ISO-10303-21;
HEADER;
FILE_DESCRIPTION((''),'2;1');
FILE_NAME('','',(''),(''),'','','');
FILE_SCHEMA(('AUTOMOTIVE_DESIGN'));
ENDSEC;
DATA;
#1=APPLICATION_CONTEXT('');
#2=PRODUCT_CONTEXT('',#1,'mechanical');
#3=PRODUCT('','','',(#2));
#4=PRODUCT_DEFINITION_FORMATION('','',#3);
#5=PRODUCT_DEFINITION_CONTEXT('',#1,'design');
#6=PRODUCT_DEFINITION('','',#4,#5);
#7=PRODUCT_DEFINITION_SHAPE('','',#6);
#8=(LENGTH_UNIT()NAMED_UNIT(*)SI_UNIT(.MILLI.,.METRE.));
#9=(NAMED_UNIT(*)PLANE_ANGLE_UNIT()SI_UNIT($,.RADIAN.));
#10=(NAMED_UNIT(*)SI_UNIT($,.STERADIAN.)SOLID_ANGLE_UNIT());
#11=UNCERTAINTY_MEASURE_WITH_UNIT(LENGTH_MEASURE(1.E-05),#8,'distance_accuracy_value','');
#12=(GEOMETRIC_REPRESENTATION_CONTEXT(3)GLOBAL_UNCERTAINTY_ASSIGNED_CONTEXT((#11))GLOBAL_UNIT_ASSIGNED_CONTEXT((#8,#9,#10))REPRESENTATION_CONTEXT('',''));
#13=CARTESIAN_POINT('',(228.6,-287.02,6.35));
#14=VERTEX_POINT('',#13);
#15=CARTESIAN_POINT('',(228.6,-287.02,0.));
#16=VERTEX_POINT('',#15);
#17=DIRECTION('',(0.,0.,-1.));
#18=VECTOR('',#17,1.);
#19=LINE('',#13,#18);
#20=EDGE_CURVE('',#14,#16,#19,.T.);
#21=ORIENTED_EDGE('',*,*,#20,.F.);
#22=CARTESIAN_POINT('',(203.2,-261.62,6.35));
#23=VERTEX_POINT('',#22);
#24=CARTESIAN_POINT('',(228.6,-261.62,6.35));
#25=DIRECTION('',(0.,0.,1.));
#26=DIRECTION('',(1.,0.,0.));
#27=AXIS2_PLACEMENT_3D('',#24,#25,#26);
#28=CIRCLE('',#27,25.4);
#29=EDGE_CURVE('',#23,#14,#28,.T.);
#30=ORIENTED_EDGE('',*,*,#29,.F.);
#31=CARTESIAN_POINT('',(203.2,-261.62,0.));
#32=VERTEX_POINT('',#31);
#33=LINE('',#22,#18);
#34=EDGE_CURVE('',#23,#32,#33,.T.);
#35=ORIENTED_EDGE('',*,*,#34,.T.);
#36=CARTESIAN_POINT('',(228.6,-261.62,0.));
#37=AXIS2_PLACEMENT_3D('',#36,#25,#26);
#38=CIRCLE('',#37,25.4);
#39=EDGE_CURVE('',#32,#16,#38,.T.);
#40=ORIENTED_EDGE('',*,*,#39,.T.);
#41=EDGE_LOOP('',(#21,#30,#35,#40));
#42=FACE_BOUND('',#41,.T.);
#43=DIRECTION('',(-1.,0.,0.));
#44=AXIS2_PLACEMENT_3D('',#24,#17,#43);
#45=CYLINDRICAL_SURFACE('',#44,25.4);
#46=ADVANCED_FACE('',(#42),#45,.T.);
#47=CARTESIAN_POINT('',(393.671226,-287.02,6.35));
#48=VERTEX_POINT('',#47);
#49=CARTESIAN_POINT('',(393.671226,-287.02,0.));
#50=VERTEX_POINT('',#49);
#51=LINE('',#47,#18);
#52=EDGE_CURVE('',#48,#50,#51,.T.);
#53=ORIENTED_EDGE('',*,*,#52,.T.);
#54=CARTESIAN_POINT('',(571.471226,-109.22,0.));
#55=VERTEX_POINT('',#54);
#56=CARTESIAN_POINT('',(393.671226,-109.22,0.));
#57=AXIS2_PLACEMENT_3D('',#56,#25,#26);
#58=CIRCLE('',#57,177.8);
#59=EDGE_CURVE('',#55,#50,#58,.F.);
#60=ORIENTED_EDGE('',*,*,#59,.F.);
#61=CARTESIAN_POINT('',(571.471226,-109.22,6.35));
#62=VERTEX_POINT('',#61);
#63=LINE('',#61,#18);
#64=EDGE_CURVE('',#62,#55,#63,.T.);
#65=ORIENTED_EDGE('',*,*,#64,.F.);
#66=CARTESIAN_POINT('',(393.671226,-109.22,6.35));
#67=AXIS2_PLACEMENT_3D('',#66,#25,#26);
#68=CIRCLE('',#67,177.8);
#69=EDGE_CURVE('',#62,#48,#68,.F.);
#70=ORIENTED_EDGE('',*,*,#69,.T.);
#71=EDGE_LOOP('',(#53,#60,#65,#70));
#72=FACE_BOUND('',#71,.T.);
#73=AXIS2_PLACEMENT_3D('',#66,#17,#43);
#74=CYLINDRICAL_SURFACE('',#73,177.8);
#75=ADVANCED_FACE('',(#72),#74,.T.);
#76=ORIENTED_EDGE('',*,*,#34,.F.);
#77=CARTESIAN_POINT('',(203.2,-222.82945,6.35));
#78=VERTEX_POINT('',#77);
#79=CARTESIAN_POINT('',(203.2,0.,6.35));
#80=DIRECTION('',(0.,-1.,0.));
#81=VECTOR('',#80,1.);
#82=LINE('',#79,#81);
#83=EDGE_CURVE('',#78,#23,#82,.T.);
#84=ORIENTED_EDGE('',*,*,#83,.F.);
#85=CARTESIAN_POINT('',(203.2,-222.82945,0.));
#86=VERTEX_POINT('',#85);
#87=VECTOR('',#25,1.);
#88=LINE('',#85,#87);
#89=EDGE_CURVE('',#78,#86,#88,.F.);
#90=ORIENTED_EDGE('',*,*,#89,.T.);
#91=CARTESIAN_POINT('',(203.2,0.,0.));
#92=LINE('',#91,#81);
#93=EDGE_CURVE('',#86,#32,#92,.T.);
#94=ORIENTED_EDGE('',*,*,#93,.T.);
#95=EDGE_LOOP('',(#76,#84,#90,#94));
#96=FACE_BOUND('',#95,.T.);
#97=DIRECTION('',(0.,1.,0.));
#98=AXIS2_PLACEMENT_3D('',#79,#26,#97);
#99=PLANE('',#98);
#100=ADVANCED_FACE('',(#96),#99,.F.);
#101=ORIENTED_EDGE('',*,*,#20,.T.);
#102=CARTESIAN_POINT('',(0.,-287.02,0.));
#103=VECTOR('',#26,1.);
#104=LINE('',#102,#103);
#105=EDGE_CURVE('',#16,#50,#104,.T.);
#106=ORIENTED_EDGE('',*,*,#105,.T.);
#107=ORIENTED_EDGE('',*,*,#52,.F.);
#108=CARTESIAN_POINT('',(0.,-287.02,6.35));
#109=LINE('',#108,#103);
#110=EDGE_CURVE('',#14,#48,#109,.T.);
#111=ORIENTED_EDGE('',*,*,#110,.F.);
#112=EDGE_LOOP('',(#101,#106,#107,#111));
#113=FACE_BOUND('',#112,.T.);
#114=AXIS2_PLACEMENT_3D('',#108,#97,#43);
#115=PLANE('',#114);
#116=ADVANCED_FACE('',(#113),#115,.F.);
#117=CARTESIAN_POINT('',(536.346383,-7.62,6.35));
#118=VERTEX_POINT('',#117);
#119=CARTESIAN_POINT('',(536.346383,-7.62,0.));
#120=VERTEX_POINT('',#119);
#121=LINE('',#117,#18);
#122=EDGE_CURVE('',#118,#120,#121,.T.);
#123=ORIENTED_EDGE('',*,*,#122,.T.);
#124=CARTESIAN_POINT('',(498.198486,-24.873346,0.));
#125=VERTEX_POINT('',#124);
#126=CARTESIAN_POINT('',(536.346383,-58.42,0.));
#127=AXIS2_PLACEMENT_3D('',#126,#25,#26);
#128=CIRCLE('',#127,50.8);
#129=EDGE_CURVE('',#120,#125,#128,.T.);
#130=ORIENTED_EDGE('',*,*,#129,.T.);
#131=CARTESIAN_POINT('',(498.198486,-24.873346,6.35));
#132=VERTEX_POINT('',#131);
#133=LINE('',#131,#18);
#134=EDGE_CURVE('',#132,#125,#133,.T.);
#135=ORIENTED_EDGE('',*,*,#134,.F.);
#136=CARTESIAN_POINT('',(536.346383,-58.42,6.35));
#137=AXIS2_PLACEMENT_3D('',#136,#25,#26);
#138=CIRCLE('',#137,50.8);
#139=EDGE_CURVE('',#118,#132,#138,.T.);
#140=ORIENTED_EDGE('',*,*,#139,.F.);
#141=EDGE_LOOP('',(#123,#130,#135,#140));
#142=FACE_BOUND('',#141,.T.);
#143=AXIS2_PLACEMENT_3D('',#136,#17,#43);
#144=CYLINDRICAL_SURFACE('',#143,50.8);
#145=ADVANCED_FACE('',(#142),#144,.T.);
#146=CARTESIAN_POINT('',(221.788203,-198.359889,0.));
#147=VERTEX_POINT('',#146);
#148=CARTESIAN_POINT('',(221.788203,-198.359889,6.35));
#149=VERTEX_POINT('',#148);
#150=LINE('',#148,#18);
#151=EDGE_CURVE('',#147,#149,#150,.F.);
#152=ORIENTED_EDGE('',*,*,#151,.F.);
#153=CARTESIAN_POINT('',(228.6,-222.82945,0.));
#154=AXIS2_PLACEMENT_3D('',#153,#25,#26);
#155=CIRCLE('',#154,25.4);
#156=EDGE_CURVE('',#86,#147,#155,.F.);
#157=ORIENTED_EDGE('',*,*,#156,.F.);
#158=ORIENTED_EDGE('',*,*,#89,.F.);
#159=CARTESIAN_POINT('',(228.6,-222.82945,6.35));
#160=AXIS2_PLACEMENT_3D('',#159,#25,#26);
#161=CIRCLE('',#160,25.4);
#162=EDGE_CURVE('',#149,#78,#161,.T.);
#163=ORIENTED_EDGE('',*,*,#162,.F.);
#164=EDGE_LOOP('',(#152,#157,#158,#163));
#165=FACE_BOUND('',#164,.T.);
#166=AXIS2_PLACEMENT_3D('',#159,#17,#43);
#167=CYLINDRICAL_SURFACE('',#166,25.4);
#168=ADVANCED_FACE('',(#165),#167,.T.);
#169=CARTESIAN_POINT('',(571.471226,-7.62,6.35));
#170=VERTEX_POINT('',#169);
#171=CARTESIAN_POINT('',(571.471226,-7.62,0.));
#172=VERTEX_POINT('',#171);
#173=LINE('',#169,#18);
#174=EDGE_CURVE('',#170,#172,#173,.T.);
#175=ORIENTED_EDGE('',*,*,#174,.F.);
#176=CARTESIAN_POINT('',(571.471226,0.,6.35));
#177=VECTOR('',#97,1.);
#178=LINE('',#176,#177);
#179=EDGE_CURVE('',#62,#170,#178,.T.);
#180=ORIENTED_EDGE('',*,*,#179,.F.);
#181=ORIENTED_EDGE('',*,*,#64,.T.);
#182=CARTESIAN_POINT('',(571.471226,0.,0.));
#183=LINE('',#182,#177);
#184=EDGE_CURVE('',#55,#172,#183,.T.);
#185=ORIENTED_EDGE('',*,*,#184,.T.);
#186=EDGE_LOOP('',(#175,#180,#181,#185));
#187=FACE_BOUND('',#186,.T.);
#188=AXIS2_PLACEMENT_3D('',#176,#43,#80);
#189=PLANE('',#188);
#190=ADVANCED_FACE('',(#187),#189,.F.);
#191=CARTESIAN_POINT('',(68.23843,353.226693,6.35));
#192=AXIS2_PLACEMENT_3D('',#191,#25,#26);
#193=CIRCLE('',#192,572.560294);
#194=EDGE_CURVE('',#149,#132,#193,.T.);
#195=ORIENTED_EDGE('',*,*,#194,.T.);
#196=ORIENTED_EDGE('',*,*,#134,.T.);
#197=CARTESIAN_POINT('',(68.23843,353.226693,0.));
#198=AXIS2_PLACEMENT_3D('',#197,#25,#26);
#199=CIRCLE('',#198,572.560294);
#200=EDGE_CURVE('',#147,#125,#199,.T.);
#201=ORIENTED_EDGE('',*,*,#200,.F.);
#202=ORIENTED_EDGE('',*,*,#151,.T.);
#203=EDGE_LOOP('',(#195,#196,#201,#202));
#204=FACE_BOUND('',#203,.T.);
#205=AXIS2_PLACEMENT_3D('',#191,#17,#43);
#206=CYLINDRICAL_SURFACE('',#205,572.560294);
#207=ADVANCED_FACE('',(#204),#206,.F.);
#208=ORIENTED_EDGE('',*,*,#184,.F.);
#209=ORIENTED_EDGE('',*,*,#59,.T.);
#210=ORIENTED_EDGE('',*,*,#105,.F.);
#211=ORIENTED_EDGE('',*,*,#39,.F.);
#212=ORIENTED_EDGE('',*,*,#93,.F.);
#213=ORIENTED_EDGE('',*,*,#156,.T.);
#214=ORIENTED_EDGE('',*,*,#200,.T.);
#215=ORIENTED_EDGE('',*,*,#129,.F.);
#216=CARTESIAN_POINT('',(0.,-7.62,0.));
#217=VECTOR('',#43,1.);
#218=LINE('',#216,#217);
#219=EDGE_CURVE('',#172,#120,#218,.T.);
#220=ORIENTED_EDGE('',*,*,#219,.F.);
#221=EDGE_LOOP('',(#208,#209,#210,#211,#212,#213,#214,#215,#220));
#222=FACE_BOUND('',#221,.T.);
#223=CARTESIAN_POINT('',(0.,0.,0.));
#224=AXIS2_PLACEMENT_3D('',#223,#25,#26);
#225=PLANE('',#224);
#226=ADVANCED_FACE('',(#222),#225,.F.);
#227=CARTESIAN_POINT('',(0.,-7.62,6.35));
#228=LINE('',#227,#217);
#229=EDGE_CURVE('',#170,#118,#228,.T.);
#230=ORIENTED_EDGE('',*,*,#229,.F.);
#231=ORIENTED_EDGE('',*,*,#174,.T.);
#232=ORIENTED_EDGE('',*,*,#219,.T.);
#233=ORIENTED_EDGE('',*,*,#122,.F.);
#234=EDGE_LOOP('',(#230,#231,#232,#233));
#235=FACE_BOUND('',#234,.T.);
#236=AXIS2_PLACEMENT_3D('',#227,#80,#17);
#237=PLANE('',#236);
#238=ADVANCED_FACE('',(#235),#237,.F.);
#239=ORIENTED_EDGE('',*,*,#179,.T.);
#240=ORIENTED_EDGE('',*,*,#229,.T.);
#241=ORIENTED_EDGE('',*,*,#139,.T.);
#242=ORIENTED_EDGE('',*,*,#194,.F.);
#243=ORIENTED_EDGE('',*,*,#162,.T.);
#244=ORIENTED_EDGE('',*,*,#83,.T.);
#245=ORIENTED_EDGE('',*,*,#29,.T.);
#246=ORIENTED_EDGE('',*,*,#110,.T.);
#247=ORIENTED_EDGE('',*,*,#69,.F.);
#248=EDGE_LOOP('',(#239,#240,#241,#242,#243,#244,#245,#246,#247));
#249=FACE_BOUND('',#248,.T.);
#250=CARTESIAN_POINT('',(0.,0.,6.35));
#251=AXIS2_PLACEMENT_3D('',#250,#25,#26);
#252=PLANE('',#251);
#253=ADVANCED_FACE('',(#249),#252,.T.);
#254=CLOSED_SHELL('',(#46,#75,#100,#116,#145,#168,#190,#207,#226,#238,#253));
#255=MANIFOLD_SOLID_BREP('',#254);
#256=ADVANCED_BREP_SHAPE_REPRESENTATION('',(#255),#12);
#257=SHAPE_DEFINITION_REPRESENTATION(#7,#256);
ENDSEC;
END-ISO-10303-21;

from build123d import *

# Parameters (mm, degrees)
BOSS_EXTRUDE1_DEPTH = 6.35
FILLET1_R           = 25.4


with BuildPart() as part:
    # Sketch1 → Boss-Extrude1 (new body)
    with BuildSketch(Plane.XY):
        with BuildLine():
            Line((203.2, -203.2), (203.2, -261.62))
            ThreePointArc((203.2, -261.62), (210.639487758, -279.580512242), (228.6, -287.02))
            Line((228.6, -287.02), (393.671225938, -287.02))
            ThreePointArc((393.671225938, -287.02), (519.394811633, -234.943585695), (571.471225938, -109.22))
            Line((571.471225938, -109.22), (571.471225938, -7.62))
            Line((571.471225938, -7.62), (536.346383071, -7.62))
            ThreePointArc((536.346383071, -7.62), (515.412320101, -12.133878888), (498.198486458, -24.873346158))
            ThreePointArc((498.198486458, -24.873346158), (364.438041528, -136.764204924), (203.2, -203.2))
        make_face()
    extrude(amount=BOSS_EXTRUDE1_DEPTH)

    # Fillet1
    fillet1_edges = [part.edges().sort_by_distance(p)[0] for p in [
        (203.2, -203.2, 3.175),
    ]]
    fillet(fillet1_edges, radius=FILLET1_R)


solid = part.part
